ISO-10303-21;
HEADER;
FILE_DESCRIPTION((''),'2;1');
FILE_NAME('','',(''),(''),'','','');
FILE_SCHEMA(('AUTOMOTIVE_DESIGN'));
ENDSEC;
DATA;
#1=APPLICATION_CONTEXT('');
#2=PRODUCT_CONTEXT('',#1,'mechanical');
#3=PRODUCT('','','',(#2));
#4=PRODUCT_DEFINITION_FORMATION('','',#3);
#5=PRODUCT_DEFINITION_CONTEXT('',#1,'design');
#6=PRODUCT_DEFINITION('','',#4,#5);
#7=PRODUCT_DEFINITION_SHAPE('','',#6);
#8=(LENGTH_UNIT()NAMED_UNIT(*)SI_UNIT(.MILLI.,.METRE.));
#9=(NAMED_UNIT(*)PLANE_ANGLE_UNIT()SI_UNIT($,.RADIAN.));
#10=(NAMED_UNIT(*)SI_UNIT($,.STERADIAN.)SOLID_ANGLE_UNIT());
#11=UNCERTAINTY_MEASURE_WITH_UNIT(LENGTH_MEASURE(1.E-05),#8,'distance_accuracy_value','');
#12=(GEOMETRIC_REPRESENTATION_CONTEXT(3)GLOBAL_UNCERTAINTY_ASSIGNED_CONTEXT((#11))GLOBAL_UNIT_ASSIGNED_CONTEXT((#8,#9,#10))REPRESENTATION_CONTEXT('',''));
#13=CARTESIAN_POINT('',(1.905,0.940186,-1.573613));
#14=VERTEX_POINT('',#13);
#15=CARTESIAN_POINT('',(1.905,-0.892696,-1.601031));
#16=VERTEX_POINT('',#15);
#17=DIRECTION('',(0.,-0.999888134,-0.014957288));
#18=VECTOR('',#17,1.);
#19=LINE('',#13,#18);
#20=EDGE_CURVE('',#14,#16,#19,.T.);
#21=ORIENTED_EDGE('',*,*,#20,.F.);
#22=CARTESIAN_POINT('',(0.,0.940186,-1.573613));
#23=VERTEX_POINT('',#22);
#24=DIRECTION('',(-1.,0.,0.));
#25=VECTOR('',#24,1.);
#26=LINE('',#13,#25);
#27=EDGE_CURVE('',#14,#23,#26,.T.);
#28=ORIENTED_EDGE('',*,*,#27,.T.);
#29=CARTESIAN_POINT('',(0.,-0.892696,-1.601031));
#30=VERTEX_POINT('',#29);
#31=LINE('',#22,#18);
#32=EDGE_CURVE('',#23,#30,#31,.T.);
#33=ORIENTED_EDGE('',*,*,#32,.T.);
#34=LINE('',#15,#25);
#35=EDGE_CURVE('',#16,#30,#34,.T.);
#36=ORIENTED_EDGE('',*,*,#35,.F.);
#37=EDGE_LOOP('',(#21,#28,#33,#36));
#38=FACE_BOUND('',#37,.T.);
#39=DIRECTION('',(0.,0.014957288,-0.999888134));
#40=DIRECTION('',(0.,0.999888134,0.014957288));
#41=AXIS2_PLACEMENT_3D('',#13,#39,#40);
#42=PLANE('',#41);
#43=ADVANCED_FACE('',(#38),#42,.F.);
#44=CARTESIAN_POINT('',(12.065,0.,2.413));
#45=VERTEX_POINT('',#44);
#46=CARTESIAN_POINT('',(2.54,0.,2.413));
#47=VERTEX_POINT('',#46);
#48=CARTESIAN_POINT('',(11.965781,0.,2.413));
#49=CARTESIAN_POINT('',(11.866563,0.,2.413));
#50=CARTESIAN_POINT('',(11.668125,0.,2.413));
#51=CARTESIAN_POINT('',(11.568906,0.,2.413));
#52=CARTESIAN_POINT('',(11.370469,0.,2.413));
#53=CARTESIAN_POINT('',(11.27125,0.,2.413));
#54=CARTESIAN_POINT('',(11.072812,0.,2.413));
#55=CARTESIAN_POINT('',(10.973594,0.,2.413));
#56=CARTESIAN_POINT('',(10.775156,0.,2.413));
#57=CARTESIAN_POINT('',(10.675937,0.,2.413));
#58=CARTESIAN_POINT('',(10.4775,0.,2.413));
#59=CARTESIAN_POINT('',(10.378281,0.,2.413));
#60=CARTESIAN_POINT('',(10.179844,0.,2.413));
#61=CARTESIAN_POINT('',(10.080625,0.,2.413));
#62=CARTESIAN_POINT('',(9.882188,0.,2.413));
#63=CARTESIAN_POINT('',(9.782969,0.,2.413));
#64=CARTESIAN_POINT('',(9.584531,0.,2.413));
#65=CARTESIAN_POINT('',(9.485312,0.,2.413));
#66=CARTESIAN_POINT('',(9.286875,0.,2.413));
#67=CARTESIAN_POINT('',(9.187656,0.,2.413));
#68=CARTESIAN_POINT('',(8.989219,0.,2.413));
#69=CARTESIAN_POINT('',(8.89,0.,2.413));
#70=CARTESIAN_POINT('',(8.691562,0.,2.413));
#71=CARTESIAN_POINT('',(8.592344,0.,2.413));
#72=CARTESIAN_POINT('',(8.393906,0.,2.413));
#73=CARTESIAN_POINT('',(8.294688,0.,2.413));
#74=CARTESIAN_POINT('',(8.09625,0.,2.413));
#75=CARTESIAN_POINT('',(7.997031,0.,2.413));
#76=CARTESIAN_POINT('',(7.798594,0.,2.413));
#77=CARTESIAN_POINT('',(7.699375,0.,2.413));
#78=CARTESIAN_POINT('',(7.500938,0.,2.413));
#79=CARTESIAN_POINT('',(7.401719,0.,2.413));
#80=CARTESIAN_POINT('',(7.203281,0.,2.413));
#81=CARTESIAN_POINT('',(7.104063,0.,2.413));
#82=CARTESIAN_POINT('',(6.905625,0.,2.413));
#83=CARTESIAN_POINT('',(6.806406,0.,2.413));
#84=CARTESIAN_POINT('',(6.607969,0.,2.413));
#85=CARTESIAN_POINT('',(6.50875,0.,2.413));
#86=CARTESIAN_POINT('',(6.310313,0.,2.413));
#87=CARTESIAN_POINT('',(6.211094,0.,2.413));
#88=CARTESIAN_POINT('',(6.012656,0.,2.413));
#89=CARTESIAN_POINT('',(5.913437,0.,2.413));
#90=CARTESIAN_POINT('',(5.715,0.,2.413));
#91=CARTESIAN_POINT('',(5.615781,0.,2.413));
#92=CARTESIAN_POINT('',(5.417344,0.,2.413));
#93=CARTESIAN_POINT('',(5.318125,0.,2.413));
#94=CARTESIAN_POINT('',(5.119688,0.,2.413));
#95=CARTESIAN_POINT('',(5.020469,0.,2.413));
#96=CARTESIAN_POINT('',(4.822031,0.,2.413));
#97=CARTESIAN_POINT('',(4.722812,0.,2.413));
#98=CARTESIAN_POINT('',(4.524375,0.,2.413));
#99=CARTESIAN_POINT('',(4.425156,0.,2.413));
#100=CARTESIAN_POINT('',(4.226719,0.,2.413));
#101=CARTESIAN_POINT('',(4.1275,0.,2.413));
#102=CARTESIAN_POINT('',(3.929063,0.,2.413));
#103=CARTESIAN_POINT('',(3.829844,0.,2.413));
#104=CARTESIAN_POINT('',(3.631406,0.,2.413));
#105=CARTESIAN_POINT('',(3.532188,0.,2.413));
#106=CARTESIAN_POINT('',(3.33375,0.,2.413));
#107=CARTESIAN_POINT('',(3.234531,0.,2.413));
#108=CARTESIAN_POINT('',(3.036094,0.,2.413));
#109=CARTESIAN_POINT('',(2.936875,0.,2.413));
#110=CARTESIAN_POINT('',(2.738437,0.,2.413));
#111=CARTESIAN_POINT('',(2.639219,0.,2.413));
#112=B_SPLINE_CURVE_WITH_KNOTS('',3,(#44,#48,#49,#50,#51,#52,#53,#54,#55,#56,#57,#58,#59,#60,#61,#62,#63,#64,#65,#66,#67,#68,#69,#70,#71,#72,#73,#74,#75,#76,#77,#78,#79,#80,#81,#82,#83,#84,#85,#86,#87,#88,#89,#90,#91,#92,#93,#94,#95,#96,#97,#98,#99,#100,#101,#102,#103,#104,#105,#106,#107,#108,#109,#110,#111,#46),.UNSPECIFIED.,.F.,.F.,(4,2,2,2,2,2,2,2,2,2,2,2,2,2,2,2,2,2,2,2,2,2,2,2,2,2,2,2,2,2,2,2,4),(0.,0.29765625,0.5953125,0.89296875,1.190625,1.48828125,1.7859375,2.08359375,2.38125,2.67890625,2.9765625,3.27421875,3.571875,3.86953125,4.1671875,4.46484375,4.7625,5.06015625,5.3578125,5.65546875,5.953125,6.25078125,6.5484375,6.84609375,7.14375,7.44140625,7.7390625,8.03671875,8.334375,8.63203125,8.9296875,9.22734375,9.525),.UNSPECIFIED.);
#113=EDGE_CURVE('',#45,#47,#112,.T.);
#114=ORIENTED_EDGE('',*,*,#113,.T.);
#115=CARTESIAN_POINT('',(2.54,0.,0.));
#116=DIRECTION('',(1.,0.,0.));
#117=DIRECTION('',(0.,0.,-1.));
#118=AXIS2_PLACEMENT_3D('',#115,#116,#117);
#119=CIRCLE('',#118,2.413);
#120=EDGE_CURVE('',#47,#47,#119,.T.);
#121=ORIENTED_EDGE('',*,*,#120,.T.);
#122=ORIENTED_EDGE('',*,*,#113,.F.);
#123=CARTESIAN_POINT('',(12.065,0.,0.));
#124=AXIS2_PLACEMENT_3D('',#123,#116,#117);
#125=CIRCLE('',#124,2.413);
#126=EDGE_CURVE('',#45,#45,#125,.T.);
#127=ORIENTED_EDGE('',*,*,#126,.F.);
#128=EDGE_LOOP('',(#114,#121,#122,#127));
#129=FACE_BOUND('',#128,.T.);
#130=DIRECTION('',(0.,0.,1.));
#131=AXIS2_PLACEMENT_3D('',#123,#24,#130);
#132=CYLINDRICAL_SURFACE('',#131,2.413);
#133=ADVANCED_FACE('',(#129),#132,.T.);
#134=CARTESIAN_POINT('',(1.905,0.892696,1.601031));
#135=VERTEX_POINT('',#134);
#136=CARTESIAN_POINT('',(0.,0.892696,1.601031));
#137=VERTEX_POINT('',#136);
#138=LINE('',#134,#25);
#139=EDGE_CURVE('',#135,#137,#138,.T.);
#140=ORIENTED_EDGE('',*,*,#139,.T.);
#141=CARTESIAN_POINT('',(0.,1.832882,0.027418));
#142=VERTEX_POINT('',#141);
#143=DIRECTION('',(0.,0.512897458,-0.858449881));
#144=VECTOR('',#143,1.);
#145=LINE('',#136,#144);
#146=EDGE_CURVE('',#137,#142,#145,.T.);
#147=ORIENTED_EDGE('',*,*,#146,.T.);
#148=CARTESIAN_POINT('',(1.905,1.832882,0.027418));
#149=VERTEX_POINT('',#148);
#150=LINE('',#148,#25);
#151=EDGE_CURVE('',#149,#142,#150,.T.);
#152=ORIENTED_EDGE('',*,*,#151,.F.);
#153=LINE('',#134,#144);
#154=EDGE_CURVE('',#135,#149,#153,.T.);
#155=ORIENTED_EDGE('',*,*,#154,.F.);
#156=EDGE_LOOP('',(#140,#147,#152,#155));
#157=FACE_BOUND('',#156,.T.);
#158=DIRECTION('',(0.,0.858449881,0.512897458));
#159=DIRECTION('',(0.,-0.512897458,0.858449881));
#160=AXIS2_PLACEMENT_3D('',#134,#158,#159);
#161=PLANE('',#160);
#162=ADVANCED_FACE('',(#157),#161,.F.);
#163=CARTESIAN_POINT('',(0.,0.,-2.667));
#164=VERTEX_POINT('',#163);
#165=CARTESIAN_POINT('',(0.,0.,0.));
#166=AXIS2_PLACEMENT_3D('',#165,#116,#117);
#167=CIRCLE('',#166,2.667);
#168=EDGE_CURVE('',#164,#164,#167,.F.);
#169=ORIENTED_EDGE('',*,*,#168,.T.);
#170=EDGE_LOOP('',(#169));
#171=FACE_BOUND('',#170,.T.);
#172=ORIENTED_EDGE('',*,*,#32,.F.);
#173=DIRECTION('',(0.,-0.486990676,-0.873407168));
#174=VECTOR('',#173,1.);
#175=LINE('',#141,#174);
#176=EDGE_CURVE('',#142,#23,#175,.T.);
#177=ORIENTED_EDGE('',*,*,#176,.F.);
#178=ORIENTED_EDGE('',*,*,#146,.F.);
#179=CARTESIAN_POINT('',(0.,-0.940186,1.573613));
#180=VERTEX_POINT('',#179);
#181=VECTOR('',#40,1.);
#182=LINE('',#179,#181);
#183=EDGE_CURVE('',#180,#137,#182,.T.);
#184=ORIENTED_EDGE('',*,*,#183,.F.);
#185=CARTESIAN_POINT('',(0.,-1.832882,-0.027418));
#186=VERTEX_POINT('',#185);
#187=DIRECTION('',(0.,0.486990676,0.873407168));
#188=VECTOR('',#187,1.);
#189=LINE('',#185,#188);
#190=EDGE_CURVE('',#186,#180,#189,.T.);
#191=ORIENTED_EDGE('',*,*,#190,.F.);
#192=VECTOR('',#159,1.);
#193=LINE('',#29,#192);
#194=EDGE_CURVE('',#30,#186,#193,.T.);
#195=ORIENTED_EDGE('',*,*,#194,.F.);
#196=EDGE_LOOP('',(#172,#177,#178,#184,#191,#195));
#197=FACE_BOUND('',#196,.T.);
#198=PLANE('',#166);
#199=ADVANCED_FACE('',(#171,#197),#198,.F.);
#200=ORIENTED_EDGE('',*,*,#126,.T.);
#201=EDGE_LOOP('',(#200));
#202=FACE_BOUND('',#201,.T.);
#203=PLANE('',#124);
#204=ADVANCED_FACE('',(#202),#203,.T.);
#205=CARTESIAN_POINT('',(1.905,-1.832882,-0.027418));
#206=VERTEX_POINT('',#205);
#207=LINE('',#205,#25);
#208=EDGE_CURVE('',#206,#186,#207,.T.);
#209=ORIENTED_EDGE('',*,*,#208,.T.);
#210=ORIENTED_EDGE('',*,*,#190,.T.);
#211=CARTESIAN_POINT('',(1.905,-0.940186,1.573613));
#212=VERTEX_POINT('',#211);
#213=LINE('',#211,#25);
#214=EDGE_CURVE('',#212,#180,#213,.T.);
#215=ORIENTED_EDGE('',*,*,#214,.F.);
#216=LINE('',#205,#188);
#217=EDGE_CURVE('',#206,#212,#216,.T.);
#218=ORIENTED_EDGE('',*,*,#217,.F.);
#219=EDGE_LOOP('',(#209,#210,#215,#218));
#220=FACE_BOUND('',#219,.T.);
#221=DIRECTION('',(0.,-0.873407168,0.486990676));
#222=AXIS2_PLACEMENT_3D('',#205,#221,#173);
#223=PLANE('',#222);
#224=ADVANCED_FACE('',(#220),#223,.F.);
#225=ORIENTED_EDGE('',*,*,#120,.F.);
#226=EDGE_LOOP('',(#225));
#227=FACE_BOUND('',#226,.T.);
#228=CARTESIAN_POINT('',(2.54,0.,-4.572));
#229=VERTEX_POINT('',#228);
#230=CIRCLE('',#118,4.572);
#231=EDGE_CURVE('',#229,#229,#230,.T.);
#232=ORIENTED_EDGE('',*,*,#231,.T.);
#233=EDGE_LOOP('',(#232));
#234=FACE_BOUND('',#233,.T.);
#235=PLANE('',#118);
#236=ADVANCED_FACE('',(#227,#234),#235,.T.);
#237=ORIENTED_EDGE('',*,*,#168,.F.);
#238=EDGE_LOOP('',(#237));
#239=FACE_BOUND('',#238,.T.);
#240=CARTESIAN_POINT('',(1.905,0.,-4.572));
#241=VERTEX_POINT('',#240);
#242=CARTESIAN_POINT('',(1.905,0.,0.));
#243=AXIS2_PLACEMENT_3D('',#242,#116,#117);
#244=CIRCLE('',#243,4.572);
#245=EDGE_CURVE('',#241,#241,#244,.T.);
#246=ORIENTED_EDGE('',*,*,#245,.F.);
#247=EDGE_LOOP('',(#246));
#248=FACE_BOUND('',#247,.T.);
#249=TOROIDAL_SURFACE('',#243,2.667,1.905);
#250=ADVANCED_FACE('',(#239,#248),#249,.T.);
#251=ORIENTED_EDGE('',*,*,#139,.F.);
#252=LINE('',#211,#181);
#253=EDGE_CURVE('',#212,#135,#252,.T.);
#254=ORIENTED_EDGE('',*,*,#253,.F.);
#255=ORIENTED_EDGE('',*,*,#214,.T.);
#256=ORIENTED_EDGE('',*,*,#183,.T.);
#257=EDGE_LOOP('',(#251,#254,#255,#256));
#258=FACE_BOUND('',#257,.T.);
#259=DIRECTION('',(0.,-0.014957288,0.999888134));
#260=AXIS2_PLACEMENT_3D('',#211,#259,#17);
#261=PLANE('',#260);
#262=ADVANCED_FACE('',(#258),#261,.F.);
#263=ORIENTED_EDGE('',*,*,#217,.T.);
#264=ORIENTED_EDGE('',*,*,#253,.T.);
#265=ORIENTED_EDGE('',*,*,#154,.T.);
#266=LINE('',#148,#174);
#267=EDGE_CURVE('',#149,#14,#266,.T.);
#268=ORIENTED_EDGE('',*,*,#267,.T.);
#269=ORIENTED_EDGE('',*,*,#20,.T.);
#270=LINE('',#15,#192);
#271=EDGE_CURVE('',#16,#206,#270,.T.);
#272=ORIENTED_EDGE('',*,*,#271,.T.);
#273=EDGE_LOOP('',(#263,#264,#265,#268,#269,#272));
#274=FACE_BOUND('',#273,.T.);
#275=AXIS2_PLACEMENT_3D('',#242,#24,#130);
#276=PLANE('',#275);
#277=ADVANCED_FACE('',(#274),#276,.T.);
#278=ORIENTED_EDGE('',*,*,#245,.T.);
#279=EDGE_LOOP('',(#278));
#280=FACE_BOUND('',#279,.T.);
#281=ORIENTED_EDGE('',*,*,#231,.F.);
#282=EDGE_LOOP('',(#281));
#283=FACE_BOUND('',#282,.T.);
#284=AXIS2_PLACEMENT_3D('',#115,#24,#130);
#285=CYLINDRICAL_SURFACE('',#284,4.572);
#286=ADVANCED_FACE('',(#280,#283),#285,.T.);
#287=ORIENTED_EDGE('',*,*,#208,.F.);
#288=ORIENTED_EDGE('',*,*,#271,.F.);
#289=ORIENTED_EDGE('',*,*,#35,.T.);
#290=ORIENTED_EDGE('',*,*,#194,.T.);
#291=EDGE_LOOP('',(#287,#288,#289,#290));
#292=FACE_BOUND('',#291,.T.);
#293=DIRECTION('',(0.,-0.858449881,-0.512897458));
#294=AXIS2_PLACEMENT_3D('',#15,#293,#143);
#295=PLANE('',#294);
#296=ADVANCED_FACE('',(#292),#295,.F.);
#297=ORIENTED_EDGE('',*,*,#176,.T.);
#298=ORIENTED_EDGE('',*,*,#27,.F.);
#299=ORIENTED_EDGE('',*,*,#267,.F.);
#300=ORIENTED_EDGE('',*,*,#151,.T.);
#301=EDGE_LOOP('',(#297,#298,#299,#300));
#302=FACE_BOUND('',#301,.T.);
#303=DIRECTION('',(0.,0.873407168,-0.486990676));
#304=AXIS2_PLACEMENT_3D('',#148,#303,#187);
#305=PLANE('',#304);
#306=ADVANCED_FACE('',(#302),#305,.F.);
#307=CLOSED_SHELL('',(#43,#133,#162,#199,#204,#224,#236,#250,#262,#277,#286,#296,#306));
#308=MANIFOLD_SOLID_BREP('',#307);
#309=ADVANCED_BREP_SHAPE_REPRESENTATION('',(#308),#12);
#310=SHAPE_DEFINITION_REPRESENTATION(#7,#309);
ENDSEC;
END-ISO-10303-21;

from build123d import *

# Parameters (mm, degrees)
SKETCH1_R           = 4.572
BOSS_EXTRUDE1_DEPTH = 2.54
SKETCH2_R           = 2.413
BOSS_EXTRUDE2_DEPTH = 9.525
FILLET1_R           = 1.905
CUT_EXTRUDE1_DEPTH  = 1.905


with BuildPart() as part:
    # Sketch1 → Boss-Extrude1 (new body)
    with BuildSketch(Plane(origin=(0, 0, 0), x_dir=(0, 0, -1), z_dir=(1, 0, 0))):
        Circle(SKETCH1_R)
    extrude(amount=BOSS_EXTRUDE1_DEPTH)

    # Sketch2 → Boss-Extrude2 (add)
    with BuildSketch(Plane(origin=(2.54, 0, 0), x_dir=(0, 0, -1), z_dir=(1, 0, 0))):
        with Locations(Location((0, 0, 0), (0, 0, 180))):
            Circle(SKETCH2_R)
    extrude(amount=BOSS_EXTRUDE2_DEPTH)

    # Fillet1
    fillet1_edges = [part.edges().sort_by_distance(p)[0] for p in [
        (0, 0, 4.572),
    ]]
    fillet(fillet1_edges, radius=FILLET1_R)

    # Sketch3 → Cut-Extrude1 (cut)
    with BuildSketch(Plane.ZY):
        Polygon((1.573613406, -0.940185716), (1.601031418, 0.892696328), (0.027418011, 1.832882044), (-1.573613406, 0.940185716), (-1.601031418, -0.892696328), (-0.027418011, -1.832882044), align=None)
    extrude(amount=-CUT_EXTRUDE1_DEPTH, mode=Mode.SUBTRACT)


solid = part.part
